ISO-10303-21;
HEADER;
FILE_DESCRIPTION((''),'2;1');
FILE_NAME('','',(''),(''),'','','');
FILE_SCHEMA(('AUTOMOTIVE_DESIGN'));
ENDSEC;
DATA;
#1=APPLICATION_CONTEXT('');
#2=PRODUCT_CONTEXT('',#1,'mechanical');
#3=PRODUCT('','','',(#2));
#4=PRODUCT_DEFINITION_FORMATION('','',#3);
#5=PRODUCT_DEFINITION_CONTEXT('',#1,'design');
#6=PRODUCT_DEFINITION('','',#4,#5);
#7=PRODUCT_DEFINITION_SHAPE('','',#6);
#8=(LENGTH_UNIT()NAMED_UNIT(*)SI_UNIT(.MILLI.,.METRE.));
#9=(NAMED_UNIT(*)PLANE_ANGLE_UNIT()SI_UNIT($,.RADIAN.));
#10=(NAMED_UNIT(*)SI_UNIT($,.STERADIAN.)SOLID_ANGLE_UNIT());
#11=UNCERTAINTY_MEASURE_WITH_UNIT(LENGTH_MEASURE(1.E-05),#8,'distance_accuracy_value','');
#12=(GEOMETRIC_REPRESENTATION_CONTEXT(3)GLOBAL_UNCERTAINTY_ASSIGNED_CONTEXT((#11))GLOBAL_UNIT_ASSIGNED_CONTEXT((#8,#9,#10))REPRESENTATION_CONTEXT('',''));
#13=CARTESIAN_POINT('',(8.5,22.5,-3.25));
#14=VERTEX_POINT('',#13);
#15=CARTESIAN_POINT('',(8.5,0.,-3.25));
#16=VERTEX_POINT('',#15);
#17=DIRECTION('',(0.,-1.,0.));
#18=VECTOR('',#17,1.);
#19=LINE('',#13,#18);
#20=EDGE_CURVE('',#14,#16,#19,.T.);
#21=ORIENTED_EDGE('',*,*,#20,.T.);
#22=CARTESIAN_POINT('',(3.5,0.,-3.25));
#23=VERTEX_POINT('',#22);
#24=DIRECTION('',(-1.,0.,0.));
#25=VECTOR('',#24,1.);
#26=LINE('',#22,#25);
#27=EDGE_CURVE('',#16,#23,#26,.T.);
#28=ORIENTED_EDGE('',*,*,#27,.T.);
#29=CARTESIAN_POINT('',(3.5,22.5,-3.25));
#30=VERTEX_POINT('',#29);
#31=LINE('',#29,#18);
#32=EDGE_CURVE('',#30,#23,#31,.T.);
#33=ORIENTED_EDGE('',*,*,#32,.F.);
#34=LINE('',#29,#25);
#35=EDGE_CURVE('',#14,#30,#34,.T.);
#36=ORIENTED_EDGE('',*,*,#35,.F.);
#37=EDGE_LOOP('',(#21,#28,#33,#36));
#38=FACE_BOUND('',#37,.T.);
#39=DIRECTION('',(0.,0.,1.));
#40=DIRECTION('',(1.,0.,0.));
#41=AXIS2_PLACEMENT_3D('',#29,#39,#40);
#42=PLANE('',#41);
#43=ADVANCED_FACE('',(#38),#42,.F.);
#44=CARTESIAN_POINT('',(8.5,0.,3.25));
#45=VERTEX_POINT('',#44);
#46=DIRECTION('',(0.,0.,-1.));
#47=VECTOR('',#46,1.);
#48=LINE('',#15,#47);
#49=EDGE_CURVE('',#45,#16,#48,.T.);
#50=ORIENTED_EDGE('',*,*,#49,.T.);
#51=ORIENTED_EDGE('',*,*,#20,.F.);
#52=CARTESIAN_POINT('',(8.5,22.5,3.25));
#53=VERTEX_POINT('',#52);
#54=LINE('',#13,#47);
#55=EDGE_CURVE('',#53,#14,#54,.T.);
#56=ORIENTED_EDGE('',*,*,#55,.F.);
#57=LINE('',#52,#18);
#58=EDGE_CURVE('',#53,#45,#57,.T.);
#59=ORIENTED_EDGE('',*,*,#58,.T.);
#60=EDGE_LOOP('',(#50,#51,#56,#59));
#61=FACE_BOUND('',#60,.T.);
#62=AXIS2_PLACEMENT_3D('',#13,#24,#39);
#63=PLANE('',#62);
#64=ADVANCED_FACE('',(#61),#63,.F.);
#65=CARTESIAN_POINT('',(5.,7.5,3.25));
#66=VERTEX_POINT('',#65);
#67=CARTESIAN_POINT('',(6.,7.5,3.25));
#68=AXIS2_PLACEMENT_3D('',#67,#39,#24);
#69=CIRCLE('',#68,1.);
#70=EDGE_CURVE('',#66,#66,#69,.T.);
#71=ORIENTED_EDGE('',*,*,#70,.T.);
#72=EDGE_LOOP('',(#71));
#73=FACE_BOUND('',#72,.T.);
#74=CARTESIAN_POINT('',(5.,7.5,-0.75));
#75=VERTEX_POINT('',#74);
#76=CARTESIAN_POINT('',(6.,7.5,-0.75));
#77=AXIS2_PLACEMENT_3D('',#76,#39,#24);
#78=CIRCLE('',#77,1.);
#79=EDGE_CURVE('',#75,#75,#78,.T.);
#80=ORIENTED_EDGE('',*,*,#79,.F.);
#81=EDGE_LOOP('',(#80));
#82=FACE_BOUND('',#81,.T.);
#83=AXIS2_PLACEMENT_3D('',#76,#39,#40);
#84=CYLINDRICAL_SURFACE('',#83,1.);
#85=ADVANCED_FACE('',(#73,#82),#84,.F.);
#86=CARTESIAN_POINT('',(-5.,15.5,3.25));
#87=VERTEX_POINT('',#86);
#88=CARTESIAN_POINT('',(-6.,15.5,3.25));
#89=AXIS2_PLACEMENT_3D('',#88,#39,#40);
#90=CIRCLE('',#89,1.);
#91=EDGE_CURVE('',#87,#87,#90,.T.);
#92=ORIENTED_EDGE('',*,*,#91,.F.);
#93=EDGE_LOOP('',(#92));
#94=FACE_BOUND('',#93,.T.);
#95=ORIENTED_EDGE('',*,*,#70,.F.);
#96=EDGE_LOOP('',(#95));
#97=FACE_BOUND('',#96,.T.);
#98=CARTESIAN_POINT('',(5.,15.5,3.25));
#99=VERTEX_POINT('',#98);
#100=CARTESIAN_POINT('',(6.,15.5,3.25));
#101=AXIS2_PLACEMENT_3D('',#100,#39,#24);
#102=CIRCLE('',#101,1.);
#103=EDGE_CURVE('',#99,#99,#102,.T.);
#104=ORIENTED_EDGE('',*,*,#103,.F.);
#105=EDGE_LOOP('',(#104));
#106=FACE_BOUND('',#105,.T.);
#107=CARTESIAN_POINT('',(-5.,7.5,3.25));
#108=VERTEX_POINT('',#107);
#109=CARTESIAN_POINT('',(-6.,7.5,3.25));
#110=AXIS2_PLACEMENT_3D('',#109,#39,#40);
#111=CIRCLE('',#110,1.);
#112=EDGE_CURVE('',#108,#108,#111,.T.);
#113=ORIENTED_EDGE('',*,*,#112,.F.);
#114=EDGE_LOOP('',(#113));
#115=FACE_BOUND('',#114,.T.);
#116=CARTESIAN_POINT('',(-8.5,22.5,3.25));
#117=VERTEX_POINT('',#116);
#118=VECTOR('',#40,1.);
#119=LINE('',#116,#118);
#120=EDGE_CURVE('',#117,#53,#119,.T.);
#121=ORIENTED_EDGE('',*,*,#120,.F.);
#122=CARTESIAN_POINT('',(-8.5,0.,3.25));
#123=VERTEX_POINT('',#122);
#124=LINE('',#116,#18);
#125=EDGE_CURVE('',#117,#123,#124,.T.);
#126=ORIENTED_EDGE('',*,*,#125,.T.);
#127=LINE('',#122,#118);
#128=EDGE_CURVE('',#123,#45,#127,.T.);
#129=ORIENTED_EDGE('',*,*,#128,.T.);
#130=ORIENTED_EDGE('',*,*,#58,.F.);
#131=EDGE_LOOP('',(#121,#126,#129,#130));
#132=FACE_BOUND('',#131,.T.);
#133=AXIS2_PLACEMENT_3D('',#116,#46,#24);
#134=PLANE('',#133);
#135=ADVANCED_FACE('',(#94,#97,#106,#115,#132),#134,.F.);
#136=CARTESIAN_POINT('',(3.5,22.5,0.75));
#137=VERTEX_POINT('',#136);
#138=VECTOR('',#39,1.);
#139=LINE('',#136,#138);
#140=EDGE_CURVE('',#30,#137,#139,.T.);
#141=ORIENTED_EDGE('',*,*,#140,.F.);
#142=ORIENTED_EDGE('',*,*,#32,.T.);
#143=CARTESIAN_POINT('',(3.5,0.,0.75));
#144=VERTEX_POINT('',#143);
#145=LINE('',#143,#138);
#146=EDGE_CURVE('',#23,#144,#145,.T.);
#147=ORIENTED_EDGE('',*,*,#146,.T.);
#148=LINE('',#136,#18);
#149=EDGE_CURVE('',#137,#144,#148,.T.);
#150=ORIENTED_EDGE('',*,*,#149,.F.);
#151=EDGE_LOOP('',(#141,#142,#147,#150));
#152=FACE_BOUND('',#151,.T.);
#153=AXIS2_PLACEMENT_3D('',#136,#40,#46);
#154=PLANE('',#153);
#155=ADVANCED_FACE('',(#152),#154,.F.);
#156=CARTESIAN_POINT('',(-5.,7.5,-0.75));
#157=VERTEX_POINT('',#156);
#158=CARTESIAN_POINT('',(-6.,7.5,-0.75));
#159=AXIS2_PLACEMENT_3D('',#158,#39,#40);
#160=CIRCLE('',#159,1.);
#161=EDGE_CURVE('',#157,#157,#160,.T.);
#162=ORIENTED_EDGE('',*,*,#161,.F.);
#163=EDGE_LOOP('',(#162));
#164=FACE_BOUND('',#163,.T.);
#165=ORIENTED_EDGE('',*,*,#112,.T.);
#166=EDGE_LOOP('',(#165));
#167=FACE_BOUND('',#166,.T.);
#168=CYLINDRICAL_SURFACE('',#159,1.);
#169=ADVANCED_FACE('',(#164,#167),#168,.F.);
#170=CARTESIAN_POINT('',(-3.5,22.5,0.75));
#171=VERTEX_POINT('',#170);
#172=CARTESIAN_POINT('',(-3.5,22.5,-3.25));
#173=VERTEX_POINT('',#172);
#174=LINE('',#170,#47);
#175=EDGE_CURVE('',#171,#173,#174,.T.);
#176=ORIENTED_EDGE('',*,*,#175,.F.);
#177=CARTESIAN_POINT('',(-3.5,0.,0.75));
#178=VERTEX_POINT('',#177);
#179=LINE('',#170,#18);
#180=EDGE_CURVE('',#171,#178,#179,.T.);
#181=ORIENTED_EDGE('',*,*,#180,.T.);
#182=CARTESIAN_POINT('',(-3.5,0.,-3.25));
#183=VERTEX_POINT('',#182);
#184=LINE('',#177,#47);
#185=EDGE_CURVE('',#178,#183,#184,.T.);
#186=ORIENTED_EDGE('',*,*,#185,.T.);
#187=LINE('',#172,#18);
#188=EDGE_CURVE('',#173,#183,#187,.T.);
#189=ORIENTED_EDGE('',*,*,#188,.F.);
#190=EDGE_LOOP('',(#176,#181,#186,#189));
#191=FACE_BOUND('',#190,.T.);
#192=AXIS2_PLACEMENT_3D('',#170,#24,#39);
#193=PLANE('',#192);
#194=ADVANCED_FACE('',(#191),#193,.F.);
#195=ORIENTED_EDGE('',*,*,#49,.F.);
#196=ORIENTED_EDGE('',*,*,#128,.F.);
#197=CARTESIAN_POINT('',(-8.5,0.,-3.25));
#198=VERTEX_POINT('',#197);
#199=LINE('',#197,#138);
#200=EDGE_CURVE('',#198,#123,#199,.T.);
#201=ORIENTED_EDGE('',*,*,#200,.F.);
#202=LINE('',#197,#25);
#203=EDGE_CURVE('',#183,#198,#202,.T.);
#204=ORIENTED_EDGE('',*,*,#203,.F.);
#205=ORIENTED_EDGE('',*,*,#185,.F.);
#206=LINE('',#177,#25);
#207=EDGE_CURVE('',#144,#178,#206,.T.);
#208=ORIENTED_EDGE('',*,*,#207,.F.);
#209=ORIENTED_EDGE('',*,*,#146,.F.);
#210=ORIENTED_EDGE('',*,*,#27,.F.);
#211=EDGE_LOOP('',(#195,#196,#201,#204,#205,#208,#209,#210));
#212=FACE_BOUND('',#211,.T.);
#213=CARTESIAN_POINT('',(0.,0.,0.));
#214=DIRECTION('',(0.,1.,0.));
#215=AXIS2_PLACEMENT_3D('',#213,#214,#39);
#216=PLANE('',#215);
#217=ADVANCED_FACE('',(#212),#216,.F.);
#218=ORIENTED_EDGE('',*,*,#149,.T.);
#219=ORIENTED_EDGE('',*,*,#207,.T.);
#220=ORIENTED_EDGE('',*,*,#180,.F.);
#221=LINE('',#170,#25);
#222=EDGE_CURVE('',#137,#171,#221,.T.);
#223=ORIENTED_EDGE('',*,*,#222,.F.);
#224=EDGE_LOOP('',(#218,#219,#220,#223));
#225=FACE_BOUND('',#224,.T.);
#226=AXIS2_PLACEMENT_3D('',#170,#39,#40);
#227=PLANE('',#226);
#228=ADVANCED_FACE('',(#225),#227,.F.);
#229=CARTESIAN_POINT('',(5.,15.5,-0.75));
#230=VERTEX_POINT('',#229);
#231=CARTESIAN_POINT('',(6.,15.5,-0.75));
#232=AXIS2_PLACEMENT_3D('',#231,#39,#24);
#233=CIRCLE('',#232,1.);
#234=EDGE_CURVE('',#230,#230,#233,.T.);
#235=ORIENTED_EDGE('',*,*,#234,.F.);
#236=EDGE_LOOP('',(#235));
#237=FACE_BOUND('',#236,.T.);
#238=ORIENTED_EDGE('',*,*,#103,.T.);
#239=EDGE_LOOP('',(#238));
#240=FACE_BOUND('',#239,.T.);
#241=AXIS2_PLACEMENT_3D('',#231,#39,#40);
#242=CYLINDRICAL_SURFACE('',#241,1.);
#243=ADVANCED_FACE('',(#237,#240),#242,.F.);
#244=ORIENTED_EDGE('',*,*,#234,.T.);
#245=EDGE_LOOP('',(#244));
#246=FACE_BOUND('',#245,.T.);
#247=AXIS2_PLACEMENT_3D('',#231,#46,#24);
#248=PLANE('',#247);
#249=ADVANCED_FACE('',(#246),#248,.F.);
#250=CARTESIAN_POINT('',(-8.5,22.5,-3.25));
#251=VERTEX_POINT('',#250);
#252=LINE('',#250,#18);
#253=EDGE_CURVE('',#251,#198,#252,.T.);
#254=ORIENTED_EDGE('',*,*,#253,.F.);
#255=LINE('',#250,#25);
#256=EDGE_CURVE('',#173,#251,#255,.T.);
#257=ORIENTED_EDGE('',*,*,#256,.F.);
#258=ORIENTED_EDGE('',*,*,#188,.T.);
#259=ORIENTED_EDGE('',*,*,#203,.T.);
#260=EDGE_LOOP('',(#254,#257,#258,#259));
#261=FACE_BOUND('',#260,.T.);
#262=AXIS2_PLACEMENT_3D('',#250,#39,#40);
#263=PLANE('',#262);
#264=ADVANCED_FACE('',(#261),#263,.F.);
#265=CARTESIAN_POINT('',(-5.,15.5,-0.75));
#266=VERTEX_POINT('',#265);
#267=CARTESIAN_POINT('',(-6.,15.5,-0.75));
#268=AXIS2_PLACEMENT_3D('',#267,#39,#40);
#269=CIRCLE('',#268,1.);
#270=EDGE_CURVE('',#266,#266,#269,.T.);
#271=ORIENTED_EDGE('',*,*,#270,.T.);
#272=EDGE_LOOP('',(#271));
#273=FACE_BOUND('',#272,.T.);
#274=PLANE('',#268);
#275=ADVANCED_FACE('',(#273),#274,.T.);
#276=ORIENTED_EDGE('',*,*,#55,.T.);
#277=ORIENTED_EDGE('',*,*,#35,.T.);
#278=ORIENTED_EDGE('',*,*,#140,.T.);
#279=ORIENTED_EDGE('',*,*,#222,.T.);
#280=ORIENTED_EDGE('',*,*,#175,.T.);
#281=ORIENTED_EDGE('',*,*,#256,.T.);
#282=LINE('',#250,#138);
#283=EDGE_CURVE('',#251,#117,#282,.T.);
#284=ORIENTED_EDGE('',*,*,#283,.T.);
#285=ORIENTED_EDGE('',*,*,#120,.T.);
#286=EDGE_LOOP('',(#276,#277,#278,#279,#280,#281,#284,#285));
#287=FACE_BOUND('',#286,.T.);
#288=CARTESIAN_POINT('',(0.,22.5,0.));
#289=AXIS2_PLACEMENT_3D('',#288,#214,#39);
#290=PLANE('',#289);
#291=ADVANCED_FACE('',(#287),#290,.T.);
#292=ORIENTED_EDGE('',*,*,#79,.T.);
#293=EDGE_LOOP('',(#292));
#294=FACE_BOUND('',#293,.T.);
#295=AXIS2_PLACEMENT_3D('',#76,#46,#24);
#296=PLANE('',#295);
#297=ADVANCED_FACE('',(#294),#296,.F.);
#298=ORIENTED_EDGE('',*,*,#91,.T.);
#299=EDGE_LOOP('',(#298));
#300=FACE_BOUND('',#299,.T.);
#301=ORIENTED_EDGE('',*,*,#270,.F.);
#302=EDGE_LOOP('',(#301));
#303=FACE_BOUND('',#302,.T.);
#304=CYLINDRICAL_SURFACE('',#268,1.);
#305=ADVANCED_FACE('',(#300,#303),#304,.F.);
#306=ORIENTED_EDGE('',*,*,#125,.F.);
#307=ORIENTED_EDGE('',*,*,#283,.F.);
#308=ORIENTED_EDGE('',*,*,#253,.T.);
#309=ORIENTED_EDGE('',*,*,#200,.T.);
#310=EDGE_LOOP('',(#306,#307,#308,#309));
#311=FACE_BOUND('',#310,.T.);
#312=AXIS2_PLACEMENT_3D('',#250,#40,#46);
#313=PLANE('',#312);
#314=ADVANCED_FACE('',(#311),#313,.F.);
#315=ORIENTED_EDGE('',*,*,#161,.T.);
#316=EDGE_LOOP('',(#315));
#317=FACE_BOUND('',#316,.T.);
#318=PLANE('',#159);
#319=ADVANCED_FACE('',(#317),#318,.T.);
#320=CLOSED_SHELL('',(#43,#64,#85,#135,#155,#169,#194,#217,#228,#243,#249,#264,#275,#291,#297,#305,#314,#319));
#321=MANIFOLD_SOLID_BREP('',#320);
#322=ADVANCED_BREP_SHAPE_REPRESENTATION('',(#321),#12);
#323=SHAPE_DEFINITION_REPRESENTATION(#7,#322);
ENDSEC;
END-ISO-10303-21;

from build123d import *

# Parameters (mm, degrees)
EXTRUDE_1_DEPTH     = 22.5
SKETCH_2_R          = 1
CUT_EXTRUDE_1_DEPTH = 4


with BuildPart() as part:
    # 草图1 → 凸台-拉伸1 (new body)
    with BuildSketch(Plane(origin=(0, 0, 0), x_dir=(1, 0, 0), z_dir=(0, 1, 0))):
        Polygon((-3.5, -0.75), (3.5, -0.75), (3.5, 3.25), (8.5, 3.25), (8.5, -3.25), (-8.5, -3.25), (-8.5, 3.25), (-3.5, 3.25), align=None)
    extrude(amount=EXTRUDE_1_DEPTH)

    # 草图2 → 切除-拉伸1 (cut)
    with BuildSketch(Plane.XY.offset(3.25)):
        with Locations((-6, 15.5)):
            Circle(SKETCH_2_R)
        with Locations((-6, 7.5)):
            Circle(SKETCH_2_R)
        with Locations(Location((6, 7.5, 0), (0, 0, 180))):
            Circle(SKETCH_2_R)
        with Locations(Location((6, 15.5, 0), (0, 0, 180))):
            Circle(SKETCH_2_R)
    extrude(amount=-CUT_EXTRUDE_1_DEPTH, mode=Mode.SUBTRACT)


solid = part.part
